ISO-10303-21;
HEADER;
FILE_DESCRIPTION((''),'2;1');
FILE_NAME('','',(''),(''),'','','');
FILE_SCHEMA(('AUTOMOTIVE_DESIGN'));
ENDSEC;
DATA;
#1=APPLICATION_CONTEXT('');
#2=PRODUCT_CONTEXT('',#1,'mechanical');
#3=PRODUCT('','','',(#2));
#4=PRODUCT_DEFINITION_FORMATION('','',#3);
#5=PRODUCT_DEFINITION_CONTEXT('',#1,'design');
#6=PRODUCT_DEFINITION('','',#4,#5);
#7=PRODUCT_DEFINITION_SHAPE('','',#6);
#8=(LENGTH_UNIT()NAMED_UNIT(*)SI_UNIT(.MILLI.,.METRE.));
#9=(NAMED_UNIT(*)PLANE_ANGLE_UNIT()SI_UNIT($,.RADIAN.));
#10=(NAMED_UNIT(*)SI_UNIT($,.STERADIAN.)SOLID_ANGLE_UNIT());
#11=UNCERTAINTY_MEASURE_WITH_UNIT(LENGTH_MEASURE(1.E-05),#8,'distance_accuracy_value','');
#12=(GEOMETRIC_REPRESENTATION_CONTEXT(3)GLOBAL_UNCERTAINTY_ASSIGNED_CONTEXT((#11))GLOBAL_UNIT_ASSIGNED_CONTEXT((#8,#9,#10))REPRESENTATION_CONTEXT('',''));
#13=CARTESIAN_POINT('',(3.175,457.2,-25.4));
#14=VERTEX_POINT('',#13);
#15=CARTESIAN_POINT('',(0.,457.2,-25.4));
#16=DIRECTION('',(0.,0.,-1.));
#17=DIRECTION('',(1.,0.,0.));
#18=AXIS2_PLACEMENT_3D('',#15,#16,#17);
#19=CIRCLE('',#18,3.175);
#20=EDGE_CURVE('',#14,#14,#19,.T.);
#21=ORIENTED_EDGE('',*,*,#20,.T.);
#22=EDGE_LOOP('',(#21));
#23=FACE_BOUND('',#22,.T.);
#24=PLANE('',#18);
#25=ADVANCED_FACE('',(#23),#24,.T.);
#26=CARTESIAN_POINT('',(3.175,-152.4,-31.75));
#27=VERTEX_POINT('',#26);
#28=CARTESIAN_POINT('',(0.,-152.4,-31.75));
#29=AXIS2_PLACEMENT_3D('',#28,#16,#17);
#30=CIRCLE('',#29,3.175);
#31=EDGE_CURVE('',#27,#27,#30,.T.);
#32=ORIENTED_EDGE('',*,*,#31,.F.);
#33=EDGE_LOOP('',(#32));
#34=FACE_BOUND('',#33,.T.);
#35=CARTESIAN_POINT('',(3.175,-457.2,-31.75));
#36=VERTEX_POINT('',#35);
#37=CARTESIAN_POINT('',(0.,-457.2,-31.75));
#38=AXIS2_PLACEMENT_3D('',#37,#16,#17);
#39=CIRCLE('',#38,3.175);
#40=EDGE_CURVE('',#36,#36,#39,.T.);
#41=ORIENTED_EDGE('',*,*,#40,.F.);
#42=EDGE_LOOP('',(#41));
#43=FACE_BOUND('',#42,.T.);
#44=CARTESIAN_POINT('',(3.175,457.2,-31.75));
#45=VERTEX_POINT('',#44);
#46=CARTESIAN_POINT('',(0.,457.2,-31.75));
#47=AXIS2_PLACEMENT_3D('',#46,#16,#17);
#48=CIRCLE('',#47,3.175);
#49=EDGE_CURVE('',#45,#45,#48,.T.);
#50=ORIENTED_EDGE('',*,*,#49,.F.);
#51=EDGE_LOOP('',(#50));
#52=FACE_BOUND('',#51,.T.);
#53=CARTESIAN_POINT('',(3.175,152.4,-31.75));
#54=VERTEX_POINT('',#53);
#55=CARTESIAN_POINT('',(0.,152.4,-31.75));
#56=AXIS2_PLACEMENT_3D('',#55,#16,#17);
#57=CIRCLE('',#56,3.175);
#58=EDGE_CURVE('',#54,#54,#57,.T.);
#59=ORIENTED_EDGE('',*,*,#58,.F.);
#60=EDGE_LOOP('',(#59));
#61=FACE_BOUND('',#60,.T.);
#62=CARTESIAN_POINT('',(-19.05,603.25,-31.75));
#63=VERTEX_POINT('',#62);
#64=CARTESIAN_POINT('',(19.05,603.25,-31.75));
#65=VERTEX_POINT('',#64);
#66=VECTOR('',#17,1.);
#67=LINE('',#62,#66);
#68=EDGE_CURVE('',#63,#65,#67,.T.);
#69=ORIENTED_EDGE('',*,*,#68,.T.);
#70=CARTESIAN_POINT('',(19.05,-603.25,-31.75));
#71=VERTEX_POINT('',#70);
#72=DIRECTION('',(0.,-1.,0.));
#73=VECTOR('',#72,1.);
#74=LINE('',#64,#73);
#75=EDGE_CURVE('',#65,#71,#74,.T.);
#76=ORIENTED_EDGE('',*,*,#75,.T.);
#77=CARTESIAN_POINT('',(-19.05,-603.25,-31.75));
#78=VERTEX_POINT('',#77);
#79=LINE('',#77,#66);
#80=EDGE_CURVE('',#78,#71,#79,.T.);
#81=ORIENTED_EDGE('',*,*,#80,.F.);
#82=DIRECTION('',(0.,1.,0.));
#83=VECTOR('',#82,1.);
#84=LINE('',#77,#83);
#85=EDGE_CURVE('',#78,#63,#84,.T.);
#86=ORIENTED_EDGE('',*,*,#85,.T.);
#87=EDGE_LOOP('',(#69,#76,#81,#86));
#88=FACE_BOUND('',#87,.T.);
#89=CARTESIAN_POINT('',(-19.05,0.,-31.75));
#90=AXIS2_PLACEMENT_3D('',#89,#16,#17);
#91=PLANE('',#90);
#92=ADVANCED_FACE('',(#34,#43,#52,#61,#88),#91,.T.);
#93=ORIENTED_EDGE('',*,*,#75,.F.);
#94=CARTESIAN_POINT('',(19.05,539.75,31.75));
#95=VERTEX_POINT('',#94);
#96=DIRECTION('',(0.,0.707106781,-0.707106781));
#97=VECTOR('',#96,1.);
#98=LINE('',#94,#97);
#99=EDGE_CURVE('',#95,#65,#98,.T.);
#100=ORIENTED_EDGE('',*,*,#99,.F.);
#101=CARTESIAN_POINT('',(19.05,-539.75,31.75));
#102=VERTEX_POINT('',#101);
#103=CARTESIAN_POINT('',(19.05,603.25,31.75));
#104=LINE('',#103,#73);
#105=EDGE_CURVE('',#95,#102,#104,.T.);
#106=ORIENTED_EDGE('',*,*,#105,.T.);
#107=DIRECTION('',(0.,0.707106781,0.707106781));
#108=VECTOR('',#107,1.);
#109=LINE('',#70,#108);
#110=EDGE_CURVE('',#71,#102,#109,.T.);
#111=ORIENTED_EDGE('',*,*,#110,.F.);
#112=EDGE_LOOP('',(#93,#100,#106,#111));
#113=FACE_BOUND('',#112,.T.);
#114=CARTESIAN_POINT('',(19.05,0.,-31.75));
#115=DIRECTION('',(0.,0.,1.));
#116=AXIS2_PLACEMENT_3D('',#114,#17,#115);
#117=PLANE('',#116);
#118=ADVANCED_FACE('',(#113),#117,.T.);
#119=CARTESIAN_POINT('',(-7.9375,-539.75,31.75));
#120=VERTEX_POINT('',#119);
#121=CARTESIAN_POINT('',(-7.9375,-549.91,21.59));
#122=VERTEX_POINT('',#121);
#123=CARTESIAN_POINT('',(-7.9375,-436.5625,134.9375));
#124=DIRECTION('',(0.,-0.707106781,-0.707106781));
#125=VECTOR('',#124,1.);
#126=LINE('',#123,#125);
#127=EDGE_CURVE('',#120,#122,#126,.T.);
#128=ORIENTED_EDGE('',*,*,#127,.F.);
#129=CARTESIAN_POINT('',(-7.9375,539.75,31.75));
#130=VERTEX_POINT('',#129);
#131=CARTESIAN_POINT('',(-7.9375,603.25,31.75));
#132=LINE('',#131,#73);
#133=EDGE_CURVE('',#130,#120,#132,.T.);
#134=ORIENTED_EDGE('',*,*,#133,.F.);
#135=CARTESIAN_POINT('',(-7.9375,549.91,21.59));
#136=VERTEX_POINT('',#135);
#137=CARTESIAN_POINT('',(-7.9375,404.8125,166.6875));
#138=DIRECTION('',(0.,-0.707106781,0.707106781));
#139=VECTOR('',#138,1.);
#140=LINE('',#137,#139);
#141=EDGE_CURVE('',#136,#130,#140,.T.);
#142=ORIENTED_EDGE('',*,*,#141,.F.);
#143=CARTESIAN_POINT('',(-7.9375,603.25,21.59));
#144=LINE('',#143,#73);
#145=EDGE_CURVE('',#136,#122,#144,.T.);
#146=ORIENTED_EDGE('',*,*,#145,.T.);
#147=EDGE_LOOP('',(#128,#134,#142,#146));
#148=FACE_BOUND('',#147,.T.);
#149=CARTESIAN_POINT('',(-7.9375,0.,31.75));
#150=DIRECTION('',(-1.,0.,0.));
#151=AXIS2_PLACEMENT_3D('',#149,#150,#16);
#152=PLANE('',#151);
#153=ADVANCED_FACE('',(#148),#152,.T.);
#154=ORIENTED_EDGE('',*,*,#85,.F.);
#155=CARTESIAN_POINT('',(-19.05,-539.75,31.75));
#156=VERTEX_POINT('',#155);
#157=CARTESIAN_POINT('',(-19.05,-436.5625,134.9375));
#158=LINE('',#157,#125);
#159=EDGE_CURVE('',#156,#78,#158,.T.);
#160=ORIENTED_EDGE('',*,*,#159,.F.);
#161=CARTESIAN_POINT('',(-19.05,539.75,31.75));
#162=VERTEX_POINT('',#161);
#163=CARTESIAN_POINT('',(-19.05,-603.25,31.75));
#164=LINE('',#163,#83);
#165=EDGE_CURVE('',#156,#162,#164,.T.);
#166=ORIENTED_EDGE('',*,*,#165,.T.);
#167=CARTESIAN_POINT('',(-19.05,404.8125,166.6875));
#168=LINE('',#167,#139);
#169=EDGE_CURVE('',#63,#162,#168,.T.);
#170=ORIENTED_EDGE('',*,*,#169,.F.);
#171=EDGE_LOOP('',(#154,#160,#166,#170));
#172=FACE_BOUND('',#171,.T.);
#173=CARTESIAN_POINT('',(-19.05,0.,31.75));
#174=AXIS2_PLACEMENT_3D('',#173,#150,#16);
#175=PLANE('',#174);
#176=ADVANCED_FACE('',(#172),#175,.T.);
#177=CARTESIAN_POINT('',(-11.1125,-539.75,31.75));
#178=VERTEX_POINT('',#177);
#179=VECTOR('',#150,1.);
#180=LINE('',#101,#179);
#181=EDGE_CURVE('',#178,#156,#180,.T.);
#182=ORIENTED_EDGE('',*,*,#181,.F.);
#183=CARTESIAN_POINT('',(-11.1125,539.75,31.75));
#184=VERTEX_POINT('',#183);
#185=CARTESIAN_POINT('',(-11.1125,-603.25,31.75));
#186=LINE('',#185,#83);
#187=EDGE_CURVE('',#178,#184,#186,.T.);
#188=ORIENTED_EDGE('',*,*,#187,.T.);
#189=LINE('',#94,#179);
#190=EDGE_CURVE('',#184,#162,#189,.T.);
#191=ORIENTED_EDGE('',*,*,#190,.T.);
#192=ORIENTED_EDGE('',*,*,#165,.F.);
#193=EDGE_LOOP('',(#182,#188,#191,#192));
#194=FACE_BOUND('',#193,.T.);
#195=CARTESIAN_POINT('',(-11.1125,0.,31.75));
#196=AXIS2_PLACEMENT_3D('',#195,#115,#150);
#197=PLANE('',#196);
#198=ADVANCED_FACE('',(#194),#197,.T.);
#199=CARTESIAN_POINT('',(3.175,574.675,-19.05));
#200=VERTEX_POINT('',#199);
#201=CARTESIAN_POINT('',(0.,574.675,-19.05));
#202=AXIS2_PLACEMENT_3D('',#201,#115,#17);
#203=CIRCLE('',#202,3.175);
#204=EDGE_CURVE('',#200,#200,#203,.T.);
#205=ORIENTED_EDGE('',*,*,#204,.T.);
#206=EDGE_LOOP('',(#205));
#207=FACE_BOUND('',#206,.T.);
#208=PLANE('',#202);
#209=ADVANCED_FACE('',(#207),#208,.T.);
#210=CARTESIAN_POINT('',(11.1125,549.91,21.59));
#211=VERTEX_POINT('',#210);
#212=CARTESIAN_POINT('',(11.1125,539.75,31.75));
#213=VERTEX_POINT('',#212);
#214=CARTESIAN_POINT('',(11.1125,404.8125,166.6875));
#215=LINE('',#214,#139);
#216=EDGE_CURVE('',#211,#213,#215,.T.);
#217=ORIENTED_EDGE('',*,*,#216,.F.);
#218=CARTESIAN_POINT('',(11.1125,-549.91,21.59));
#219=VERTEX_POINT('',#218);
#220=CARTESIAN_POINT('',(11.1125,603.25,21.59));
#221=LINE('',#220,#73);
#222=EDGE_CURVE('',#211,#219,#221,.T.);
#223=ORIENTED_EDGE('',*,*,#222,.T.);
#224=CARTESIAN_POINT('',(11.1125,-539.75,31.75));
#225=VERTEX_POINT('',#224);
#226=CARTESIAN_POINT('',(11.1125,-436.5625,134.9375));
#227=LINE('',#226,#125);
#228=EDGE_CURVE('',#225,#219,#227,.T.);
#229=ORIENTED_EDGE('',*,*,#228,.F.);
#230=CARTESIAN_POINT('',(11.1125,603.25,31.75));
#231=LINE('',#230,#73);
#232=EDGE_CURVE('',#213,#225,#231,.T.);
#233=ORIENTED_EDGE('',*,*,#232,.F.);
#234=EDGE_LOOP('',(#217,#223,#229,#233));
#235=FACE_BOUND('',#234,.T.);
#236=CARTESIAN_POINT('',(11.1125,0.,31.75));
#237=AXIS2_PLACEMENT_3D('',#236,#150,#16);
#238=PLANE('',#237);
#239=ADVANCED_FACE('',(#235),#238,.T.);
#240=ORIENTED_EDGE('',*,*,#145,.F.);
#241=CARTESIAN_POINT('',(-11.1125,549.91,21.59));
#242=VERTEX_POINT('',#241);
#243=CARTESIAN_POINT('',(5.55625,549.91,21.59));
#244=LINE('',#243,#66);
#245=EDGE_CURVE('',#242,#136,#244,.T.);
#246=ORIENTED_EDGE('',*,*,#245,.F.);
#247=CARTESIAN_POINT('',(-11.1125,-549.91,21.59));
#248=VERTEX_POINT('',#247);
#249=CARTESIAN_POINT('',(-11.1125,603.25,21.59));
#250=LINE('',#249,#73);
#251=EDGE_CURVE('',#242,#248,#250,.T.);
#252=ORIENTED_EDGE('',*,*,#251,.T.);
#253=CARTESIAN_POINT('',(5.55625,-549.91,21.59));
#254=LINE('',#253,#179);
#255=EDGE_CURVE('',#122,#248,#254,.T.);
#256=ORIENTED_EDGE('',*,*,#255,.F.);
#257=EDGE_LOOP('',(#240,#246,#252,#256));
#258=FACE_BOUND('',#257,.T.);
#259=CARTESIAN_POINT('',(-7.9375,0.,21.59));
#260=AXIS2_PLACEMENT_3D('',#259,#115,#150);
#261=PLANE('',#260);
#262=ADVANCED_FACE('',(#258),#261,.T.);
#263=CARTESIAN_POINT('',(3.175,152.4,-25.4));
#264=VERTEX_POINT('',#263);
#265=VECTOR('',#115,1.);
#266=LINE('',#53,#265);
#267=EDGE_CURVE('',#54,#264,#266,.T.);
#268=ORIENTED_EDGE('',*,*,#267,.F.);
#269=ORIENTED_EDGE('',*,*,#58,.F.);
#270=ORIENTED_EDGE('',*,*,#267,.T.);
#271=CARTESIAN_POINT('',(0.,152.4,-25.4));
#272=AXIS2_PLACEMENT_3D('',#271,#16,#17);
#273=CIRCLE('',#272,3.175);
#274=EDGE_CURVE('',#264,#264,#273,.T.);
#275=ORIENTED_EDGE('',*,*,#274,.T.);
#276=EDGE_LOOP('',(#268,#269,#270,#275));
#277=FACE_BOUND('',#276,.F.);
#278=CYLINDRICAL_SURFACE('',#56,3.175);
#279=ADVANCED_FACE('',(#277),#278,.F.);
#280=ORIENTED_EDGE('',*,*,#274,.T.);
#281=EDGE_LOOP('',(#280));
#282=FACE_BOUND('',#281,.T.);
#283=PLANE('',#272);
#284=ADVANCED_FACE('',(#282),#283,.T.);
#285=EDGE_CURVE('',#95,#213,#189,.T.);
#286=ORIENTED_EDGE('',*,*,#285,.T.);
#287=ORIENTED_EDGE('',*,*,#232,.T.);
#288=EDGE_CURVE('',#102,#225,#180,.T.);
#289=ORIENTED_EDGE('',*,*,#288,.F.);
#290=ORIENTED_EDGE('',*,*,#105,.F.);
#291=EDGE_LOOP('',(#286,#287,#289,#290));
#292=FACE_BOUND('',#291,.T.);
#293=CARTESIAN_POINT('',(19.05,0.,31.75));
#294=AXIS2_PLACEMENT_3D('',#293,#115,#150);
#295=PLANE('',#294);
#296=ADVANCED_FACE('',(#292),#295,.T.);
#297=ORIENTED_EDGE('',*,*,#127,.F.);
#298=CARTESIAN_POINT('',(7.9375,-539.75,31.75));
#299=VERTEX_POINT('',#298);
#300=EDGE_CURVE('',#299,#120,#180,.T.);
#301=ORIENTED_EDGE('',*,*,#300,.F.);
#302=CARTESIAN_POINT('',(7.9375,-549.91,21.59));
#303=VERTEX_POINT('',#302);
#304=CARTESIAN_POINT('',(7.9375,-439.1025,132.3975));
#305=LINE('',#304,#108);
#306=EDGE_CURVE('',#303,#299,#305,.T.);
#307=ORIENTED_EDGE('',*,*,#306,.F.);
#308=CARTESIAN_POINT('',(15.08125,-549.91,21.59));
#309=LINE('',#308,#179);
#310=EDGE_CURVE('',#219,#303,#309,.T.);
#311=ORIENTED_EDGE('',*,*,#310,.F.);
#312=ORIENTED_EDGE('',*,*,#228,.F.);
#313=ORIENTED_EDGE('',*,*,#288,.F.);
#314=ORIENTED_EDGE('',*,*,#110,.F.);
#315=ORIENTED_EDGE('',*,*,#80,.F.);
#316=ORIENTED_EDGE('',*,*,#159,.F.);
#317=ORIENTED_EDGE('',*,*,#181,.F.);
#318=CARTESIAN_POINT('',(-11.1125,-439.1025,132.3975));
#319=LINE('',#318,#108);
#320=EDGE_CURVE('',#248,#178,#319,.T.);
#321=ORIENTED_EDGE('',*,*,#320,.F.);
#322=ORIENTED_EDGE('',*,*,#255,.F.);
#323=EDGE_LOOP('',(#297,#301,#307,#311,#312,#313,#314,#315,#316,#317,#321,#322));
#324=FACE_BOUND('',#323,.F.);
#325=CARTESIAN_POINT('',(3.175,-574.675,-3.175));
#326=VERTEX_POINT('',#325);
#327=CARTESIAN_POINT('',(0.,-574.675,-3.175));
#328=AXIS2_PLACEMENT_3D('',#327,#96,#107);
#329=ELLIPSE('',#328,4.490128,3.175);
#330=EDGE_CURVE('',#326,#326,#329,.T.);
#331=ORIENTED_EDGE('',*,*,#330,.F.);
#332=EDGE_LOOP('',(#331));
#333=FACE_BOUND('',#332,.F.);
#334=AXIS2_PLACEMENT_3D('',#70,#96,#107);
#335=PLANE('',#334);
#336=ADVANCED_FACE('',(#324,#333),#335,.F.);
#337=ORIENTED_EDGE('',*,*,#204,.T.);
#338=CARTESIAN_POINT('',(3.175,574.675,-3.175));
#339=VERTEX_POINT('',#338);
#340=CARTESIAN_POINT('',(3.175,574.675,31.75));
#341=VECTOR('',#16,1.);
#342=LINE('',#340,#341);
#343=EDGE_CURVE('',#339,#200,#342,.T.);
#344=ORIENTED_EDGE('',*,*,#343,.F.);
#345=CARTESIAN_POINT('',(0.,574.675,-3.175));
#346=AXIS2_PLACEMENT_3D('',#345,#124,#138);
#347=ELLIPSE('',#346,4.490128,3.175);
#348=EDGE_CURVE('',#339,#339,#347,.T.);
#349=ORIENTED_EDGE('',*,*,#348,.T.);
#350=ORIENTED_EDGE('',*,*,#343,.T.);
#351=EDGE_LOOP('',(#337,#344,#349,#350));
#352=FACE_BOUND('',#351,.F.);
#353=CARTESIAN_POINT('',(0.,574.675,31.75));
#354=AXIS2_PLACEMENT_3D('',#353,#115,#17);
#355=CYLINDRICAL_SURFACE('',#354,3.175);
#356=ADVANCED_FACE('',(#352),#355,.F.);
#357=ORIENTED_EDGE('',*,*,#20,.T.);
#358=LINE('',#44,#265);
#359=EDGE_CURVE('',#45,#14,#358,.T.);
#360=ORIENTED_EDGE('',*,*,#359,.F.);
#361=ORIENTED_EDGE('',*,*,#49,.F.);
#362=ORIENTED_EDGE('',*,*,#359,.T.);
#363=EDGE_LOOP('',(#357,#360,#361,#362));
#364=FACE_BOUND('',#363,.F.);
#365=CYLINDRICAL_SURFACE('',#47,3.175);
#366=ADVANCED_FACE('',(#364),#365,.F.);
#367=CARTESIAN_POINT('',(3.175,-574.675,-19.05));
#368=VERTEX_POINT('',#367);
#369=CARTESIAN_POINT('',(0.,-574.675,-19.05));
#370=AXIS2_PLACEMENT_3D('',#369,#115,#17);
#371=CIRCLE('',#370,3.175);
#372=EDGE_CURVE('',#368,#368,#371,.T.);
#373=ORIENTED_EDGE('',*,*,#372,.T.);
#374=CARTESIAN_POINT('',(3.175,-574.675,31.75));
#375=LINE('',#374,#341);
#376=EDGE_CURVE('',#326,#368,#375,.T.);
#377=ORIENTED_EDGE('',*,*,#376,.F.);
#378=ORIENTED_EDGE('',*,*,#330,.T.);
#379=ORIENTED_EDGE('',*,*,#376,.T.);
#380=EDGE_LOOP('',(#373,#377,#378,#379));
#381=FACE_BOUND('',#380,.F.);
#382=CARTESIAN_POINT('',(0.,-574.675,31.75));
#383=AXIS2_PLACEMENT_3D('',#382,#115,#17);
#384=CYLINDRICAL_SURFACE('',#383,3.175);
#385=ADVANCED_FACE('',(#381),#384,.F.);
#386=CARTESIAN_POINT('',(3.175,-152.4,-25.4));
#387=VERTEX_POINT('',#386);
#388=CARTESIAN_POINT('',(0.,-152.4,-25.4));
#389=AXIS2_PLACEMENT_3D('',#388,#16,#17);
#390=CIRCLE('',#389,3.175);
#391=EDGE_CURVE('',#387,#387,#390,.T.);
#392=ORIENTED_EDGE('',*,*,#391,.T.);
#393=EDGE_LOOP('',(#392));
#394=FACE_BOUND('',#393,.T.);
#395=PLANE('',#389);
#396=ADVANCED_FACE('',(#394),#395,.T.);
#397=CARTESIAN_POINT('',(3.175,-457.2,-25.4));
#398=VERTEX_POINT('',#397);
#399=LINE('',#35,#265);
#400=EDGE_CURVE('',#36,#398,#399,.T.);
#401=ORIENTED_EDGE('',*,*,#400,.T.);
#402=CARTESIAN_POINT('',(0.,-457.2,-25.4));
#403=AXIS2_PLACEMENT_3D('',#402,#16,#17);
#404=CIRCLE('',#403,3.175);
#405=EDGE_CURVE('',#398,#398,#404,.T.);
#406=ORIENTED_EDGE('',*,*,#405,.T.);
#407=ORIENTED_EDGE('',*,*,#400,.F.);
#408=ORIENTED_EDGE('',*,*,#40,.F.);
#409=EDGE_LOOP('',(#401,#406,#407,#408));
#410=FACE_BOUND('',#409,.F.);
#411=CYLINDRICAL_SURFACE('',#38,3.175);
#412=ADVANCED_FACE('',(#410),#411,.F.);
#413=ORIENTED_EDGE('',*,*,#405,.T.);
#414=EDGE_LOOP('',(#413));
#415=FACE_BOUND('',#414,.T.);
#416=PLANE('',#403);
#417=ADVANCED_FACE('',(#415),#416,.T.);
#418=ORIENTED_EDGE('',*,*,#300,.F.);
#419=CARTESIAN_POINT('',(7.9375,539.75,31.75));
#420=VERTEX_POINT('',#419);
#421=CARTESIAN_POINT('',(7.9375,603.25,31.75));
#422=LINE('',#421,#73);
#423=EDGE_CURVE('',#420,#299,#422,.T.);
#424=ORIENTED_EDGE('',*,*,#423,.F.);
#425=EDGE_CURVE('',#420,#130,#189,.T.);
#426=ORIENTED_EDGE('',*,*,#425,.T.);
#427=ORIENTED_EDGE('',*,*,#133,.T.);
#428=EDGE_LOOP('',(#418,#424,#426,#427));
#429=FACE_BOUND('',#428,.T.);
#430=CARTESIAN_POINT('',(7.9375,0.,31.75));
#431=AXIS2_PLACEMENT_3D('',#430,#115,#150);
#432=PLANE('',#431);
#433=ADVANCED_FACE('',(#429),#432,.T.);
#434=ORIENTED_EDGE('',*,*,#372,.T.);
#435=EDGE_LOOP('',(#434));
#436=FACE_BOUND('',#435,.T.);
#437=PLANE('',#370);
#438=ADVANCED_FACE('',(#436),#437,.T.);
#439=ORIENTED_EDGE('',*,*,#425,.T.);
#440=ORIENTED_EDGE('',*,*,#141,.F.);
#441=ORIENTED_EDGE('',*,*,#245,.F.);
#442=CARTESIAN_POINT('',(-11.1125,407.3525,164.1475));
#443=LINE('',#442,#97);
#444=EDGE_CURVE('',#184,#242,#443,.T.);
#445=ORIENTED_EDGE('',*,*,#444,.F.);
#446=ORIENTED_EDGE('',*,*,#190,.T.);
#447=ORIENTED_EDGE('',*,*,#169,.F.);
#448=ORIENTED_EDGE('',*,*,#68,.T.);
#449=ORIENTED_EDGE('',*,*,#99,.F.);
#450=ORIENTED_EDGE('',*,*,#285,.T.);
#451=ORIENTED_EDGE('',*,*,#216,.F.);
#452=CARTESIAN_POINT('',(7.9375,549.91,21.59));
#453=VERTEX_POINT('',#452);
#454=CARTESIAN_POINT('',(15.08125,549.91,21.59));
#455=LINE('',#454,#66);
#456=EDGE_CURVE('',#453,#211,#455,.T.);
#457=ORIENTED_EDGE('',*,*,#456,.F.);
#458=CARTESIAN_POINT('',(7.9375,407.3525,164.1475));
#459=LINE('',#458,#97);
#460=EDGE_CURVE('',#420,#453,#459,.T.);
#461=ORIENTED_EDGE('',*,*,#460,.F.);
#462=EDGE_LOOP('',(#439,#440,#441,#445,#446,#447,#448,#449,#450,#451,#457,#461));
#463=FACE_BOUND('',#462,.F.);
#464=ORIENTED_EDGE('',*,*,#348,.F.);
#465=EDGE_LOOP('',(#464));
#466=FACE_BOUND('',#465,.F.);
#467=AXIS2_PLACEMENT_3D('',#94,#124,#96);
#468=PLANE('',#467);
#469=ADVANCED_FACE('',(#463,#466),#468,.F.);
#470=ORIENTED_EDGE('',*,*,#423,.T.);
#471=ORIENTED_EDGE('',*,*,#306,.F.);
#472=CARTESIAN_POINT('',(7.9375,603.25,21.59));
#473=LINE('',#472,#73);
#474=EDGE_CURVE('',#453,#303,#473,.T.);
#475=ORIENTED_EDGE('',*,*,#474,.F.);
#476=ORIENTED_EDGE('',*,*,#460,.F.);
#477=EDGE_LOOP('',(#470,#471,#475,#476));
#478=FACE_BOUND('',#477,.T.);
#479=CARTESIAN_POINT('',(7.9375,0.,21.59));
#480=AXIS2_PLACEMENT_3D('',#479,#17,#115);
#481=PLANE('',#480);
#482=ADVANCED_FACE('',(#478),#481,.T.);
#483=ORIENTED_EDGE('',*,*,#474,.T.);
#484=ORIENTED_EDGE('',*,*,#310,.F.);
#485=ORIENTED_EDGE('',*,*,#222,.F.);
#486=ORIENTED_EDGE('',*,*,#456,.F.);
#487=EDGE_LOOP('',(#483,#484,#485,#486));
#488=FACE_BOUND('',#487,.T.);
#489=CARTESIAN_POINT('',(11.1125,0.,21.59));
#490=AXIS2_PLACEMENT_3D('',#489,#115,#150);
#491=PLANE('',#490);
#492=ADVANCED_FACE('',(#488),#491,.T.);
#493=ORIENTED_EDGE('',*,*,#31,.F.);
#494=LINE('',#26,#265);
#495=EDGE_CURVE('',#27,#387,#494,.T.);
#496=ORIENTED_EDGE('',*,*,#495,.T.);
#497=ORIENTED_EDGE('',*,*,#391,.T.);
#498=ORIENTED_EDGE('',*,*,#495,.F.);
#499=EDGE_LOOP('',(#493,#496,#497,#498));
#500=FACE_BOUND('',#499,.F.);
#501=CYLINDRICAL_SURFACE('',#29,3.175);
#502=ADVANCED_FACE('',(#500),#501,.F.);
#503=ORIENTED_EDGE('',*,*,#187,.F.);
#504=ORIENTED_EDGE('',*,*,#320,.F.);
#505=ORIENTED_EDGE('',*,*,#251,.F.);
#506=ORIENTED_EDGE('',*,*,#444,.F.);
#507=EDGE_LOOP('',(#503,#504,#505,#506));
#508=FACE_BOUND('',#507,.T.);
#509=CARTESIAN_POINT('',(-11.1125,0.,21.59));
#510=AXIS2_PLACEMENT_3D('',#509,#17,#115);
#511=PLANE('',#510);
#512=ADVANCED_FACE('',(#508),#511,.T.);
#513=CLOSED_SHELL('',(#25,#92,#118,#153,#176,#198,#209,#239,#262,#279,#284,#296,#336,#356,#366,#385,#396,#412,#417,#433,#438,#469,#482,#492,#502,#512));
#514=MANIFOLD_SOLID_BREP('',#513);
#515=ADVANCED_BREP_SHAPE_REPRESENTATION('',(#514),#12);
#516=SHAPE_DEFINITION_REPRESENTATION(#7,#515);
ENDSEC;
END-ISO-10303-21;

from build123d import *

# Parameters (mm, degrees)
F1_DEPTH = 603.25
F3_R     = 3.175
F4_DEPTH = 50.8
F5_DEPTH = 50.8
F6_R     = 3.175
F7_DEPTH = 6.35


with BuildPart() as f1:
    # F0 (on Front) → F1 (new body, symmetric)
    with BuildSketch(Plane.XZ):
        Polygon((-19.05, -31.75), (19.05, -31.75), (19.05, 31.75), (11.1125, 31.75), (11.1125, 21.59), (7.9375, 21.59), (7.9375, 31.75), (-7.9375, 31.75), (-7.9375, 21.59), (-11.1125, 21.59), (-11.1125, 31.75), (-19.05, 31.75), align=None)
    extrude(amount=F1_DEPTH, both=True)

    # F3 (on face) → F4 (cut)
    with BuildSketch(Plane.XY.offset(31.75)):
        with Locations((0, 574.675)):
            Circle(F3_R)
        with Locations((0, -574.675)):
            Circle(F3_R)
    extrude(amount=-F4_DEPTH, mode=Mode.SUBTRACT)

    # F2 (on face) → F5 (cut)
    with BuildSketch(Plane.YZ.offset(19.05)):
        Polygon((603.25, 31.75), (539.75, 31.75), (603.25, -31.75), align=None)
        Polygon((-603.25, 31.75), (-603.25, -31.75), (-539.75, 31.75), align=None)
    extrude(amount=-F5_DEPTH, mode=Mode.SUBTRACT)

    # F6 (on face) → F7 (cut)
    with BuildSketch(Plane(origin=(0, 0, -31.75), x_dir=(1, 0, 0), z_dir=(0, 0, -1))):
        with Locations((0, -457.2)):
            Circle(F6_R)
        with Locations((0, -152.4)):
            Circle(F6_R)
        with Locations((0, 152.4)):
            Circle(F6_R)
        with Locations((0, 457.2)):
            Circle(F6_R)
    extrude(amount=-F7_DEPTH, mode=Mode.SUBTRACT)


solid = f1.part
